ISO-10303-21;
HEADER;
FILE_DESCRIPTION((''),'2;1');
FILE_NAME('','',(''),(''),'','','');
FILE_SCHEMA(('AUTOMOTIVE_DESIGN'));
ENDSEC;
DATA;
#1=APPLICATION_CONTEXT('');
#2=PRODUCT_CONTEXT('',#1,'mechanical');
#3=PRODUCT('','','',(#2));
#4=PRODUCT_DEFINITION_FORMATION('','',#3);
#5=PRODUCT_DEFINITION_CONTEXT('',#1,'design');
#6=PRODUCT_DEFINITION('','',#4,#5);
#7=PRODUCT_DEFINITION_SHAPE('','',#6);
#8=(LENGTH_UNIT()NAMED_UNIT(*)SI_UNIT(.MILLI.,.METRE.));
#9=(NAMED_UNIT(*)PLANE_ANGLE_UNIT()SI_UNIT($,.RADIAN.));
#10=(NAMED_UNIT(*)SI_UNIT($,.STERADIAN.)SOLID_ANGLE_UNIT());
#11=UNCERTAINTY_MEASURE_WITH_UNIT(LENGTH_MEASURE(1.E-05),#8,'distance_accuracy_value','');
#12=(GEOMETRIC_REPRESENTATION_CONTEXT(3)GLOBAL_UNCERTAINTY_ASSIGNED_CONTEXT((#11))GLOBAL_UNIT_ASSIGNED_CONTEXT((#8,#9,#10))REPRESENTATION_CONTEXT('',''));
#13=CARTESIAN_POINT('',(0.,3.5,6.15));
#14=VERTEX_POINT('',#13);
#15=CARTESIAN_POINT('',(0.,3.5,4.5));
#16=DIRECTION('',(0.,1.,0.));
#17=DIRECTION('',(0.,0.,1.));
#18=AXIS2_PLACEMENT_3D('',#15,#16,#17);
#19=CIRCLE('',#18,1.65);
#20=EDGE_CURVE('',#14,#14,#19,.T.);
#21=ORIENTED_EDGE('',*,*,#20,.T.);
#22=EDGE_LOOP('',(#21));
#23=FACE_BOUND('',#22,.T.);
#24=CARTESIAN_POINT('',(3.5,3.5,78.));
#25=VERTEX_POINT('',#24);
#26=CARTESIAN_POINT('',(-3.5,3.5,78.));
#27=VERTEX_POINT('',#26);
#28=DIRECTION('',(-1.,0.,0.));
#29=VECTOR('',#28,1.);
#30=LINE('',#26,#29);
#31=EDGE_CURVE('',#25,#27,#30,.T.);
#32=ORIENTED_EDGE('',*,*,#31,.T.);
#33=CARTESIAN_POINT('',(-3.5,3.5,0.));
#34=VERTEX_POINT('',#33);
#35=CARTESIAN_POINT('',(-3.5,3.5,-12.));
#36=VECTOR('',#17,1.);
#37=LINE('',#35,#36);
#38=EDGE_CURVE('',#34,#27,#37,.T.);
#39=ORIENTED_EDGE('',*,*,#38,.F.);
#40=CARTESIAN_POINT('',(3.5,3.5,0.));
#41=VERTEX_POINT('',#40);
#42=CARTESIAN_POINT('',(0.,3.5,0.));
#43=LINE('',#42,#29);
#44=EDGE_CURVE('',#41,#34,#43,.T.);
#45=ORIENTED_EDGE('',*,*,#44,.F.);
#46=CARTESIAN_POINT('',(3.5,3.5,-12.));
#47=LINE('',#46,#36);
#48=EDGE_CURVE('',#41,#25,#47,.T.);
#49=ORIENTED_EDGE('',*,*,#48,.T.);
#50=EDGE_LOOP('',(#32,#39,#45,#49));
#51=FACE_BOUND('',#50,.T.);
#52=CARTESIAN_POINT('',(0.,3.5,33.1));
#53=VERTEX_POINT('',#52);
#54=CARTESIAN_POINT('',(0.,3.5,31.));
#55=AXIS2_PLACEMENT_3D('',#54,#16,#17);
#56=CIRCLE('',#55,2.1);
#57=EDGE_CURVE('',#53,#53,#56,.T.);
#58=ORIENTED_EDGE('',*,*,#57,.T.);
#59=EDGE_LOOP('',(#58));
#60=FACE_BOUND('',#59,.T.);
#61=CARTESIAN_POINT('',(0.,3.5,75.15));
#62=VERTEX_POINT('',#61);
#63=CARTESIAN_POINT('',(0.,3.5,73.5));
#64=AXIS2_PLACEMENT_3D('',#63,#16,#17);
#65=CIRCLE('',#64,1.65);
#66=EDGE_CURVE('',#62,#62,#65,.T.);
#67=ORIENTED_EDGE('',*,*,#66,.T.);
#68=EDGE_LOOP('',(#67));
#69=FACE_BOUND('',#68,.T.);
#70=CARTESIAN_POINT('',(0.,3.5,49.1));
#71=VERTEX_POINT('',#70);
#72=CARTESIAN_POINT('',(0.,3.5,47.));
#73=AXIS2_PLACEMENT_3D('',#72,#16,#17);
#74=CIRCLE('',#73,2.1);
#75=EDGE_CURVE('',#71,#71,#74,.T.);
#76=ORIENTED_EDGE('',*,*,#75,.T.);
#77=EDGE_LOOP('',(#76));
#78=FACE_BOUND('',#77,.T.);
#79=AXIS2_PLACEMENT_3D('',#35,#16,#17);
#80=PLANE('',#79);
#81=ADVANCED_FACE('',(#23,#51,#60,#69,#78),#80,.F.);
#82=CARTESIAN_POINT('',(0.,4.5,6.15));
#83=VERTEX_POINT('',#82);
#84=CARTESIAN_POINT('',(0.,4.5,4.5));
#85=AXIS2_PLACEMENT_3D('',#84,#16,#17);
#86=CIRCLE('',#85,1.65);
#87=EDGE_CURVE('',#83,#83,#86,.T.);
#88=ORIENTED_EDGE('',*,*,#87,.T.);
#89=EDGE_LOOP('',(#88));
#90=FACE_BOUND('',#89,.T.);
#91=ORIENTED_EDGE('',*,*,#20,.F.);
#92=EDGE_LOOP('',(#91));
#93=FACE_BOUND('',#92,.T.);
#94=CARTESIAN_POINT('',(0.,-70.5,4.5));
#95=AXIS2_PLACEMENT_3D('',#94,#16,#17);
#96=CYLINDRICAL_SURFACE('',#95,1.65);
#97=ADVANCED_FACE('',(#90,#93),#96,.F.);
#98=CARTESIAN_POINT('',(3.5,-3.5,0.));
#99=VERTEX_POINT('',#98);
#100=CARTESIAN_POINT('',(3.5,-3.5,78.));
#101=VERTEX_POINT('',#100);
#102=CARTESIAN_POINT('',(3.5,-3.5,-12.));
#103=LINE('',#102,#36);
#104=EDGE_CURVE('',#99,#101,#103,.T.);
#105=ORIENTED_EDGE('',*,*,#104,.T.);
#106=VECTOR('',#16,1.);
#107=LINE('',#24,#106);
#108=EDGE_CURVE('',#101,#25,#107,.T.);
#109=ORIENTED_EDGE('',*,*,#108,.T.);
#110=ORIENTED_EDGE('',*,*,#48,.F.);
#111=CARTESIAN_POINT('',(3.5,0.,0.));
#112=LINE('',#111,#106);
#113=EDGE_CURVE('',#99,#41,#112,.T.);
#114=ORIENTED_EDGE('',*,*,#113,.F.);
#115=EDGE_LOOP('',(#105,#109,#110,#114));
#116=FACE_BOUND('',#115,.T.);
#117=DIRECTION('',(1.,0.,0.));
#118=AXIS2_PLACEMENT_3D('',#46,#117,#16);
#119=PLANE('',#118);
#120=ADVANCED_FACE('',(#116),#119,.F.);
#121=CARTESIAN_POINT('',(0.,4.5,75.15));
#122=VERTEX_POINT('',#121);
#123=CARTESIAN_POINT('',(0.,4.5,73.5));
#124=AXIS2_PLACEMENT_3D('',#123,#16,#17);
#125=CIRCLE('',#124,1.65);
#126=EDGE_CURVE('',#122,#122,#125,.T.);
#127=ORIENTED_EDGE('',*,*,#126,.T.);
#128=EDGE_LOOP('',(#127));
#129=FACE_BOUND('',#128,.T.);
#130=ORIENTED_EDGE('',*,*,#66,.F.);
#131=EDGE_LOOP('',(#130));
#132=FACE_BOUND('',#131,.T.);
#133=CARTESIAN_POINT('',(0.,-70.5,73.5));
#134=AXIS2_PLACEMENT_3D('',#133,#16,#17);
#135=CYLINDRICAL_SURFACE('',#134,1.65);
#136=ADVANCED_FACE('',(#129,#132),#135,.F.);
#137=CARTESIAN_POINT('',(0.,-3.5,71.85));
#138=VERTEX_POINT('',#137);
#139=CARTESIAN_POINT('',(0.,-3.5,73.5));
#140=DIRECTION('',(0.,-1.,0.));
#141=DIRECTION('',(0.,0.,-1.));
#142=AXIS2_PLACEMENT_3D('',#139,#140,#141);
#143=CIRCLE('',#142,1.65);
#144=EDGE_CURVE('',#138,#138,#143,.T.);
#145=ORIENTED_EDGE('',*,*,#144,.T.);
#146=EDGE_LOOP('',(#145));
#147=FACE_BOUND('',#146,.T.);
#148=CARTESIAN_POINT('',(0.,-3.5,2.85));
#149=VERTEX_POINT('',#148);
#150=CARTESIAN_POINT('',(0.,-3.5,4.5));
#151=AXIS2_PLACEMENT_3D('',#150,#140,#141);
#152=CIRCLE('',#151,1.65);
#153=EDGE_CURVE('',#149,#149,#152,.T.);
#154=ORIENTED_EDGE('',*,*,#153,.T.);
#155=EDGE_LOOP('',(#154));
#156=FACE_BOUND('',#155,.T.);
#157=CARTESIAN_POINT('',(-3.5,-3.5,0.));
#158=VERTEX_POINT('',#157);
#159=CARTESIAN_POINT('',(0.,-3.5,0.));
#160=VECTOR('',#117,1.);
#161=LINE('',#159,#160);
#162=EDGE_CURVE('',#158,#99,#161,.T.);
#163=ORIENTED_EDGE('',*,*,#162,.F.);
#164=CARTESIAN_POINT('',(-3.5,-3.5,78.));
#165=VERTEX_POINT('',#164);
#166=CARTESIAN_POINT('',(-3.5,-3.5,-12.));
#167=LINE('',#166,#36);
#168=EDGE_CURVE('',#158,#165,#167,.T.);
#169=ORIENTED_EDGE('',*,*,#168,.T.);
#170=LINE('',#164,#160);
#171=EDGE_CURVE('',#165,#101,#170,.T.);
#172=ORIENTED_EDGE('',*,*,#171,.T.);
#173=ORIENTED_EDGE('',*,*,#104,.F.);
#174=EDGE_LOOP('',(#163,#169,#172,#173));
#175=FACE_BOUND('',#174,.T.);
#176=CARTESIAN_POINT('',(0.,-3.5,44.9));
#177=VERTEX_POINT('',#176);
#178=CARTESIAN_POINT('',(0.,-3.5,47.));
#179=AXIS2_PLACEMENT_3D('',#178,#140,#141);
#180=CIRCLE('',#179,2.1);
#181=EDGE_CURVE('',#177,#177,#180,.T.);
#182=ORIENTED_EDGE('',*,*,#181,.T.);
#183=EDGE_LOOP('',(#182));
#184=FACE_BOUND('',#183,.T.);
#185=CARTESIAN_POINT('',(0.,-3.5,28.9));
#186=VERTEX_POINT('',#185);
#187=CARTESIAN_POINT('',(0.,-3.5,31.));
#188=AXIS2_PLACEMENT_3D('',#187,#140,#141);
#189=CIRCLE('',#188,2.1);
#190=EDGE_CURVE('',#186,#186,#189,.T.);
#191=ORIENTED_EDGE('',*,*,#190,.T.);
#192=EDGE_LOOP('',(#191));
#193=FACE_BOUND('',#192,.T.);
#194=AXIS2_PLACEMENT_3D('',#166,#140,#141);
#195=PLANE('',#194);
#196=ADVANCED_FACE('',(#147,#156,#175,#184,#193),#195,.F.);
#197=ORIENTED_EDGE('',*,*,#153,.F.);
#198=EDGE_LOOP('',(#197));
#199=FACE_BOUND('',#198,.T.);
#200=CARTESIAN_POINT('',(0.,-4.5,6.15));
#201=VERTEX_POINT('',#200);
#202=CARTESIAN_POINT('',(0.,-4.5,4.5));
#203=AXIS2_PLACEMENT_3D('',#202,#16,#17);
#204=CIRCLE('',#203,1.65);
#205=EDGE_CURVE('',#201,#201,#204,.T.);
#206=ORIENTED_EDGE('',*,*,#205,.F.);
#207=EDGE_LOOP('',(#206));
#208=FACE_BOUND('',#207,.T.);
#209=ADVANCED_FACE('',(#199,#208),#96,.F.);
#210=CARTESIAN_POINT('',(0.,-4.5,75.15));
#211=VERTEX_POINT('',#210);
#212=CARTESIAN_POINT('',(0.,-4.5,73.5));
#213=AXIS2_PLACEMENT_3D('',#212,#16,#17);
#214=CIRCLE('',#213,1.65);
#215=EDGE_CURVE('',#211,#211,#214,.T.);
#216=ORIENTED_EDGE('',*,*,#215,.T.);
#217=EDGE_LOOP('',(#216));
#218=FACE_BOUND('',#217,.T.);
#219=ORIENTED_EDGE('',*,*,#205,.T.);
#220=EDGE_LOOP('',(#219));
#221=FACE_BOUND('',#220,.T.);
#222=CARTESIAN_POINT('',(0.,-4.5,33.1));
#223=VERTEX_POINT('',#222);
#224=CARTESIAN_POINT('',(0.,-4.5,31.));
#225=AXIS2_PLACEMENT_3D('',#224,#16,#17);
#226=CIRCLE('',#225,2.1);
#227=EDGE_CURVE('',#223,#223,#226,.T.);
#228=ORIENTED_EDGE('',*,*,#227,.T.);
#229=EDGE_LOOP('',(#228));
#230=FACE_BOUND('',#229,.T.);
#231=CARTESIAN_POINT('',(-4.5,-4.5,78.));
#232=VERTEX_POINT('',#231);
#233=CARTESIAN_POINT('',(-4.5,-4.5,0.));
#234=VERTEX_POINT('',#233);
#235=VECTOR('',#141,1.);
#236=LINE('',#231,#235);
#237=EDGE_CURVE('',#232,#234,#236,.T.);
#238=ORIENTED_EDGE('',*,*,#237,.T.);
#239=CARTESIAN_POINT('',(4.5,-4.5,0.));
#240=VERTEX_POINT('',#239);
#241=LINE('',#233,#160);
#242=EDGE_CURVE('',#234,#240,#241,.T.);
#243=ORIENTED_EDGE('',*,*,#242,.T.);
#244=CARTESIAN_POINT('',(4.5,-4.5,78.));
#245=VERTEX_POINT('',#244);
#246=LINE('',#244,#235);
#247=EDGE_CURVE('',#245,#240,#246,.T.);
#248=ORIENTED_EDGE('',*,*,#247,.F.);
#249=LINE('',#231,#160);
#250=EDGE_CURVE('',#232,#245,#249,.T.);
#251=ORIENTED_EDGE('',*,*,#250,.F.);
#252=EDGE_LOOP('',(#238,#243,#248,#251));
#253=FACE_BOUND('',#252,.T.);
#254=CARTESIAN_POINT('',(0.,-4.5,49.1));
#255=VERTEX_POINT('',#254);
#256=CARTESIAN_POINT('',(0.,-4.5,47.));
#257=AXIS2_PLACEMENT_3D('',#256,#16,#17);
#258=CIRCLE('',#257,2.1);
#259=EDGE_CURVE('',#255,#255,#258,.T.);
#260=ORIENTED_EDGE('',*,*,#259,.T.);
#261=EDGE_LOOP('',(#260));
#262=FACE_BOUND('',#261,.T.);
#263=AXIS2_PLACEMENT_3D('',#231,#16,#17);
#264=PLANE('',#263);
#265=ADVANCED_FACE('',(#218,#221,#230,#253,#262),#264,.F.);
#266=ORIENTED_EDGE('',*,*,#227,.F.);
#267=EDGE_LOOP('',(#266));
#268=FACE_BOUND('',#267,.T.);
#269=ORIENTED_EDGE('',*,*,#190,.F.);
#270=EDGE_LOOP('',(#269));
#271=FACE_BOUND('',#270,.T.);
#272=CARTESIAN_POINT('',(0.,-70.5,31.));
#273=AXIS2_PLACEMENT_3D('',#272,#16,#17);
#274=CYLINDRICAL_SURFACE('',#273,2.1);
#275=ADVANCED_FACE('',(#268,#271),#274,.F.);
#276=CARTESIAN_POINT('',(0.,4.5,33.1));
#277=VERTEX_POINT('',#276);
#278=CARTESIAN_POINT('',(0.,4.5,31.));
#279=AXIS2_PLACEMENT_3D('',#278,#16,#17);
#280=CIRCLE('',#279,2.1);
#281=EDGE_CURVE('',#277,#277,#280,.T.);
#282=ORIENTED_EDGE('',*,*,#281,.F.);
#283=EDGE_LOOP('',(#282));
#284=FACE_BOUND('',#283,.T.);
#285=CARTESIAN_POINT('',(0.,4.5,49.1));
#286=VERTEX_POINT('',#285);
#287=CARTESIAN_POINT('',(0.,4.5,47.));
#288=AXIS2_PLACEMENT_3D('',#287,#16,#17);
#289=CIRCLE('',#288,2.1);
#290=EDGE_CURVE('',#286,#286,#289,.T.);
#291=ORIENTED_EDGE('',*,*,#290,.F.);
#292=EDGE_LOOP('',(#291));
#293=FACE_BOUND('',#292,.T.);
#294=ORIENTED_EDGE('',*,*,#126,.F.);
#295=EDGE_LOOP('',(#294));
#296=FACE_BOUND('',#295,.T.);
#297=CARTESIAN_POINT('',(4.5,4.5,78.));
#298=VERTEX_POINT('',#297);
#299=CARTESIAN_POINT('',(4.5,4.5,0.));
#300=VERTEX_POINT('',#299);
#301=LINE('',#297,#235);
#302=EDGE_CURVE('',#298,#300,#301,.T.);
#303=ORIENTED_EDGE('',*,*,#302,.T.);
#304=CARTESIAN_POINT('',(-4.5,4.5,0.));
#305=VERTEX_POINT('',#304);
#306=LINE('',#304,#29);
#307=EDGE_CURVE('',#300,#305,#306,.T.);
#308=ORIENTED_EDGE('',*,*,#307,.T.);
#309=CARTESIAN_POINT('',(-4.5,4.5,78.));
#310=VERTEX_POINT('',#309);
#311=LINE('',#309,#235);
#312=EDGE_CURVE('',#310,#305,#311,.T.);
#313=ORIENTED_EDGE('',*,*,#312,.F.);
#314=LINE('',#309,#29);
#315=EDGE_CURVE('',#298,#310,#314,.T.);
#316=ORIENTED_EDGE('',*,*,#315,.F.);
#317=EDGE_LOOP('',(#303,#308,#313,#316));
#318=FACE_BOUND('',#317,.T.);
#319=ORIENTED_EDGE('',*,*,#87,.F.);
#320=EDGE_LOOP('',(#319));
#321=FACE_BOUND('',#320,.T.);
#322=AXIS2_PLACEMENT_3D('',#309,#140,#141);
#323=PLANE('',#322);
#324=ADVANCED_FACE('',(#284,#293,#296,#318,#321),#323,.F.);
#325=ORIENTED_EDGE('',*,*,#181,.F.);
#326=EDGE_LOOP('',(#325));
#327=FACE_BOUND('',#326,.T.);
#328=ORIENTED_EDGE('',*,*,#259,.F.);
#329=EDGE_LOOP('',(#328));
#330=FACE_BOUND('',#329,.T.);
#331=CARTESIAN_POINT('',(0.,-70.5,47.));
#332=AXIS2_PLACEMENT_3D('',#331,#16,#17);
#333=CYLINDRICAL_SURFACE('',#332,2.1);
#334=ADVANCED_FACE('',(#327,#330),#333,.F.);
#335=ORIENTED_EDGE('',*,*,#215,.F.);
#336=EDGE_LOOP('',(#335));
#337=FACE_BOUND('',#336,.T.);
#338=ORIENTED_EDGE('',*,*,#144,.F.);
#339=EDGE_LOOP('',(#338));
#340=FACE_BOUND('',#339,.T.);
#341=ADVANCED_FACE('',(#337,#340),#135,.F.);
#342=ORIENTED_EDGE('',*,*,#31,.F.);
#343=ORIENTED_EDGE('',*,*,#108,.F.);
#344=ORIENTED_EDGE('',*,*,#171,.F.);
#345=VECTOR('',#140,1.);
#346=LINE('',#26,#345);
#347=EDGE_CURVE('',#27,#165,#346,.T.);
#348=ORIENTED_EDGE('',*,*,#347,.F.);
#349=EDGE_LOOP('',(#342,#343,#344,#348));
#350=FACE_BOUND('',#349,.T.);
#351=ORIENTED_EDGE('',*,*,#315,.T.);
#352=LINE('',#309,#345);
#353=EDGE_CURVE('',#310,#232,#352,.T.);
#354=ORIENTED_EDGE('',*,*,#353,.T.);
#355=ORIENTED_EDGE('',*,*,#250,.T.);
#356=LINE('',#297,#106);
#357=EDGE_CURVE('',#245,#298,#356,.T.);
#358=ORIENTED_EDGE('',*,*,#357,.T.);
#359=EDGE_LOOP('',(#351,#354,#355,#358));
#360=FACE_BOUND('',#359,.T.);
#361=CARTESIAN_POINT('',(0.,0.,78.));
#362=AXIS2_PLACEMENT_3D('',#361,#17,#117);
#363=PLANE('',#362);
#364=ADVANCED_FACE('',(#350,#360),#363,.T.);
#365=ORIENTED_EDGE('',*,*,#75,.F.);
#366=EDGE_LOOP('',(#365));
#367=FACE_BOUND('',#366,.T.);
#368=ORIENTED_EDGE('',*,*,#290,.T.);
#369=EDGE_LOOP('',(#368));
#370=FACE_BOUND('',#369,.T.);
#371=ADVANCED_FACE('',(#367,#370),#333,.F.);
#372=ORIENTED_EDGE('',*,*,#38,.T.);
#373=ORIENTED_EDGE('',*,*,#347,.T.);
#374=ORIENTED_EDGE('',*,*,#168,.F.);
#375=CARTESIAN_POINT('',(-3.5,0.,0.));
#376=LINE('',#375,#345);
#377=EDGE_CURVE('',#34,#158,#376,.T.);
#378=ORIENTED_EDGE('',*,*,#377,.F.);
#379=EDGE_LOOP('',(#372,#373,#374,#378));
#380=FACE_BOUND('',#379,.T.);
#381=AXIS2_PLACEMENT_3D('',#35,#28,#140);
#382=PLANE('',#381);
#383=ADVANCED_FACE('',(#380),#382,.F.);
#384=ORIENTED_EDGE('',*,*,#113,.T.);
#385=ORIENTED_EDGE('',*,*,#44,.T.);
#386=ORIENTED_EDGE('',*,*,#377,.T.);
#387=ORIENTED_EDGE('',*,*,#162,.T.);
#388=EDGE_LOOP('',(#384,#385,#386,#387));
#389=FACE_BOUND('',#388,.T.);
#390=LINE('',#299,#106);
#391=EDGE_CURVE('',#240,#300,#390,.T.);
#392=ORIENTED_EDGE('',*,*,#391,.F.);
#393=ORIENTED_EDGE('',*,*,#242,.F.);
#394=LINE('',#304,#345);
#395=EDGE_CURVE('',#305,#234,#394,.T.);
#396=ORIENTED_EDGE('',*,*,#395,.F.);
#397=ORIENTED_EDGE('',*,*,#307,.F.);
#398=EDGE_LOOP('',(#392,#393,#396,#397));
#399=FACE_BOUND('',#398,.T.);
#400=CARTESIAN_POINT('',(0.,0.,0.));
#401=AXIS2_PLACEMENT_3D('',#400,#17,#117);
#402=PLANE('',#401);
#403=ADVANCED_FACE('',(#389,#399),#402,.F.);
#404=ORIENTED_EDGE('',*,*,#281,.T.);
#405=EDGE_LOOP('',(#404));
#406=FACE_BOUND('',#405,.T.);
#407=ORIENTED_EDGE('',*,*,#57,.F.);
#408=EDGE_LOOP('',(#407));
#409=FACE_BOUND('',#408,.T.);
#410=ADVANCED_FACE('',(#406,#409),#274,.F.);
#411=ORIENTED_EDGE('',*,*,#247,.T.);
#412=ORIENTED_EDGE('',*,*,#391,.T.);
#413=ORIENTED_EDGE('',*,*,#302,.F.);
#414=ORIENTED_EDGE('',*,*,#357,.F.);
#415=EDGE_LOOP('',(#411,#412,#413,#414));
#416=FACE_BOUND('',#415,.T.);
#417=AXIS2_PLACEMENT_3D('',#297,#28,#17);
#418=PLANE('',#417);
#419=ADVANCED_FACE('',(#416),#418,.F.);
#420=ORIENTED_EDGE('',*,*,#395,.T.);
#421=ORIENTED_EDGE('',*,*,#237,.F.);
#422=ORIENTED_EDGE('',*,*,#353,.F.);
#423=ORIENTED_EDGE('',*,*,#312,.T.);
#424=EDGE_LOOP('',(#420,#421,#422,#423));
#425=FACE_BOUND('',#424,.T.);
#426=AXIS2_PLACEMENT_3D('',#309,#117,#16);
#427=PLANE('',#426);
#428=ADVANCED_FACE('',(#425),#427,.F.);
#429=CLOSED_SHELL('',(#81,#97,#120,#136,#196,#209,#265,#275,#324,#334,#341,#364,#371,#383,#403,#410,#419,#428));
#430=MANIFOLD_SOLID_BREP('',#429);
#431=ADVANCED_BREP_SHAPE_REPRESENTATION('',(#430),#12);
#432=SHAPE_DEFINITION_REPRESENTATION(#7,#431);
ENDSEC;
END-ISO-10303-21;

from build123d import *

# Parameters (mm, degrees)
SKETCH_1_W          = 9
SKETCH_1_H          = 9
EXTRUDE_1_DEPTH     = 78
SKETCH_2_W          = 7
SKETCH_2_H          = 7
CUT_EXTRUDE_1_DEPTH = 90
SKETCH_3_R          = 1.65
CUT_EXTRUDE_2_DEPTH = 75
SKETCH_4_R          = 2.1
CUT_EXTRUDE_3_DEPTH = 75


with BuildPart() as part:
    # ｽｹｯﾁ1 → ﾎﾞｽ - 押し出し1 (new body)
    with BuildSketch(Plane.XY):
        Rectangle(SKETCH_1_W, SKETCH_1_H)
    extrude(amount=EXTRUDE_1_DEPTH)

    # ｽｹｯﾁ2 → ｶｯﾄ - 押し出し1 (cut)
    with BuildSketch(Plane.XY.offset(78)):
        Rectangle(SKETCH_2_W, SKETCH_2_H)
    extrude(amount=-CUT_EXTRUDE_1_DEPTH, mode=Mode.SUBTRACT)

    # ｽｹｯﾁ3 → ｶｯﾄ - 押し出し2 (cut)
    with BuildSketch(Plane(origin=(0, 4.5, 0), x_dir=(1, 0, 0), z_dir=(0, 1, 0))):
        with Locations((0, -4.5)):
            Circle(SKETCH_3_R)
        with Locations((0, -73.5)):
            Circle(SKETCH_3_R)
    extrude(amount=-CUT_EXTRUDE_2_DEPTH, mode=Mode.SUBTRACT)

    # ｽｹｯﾁ4 → ｶｯﾄ - 押し出し3 (cut)
    with BuildSketch(Plane(origin=(0, 4.5, 0), x_dir=(1, 0, 0), z_dir=(0, 1, 0))):
        with Locations((0, -31)):
            Circle(SKETCH_4_R)
        with Locations((0, -47)):
            Circle(SKETCH_4_R)
    extrude(amount=-CUT_EXTRUDE_3_DEPTH, mode=Mode.SUBTRACT)


solid = part.part
